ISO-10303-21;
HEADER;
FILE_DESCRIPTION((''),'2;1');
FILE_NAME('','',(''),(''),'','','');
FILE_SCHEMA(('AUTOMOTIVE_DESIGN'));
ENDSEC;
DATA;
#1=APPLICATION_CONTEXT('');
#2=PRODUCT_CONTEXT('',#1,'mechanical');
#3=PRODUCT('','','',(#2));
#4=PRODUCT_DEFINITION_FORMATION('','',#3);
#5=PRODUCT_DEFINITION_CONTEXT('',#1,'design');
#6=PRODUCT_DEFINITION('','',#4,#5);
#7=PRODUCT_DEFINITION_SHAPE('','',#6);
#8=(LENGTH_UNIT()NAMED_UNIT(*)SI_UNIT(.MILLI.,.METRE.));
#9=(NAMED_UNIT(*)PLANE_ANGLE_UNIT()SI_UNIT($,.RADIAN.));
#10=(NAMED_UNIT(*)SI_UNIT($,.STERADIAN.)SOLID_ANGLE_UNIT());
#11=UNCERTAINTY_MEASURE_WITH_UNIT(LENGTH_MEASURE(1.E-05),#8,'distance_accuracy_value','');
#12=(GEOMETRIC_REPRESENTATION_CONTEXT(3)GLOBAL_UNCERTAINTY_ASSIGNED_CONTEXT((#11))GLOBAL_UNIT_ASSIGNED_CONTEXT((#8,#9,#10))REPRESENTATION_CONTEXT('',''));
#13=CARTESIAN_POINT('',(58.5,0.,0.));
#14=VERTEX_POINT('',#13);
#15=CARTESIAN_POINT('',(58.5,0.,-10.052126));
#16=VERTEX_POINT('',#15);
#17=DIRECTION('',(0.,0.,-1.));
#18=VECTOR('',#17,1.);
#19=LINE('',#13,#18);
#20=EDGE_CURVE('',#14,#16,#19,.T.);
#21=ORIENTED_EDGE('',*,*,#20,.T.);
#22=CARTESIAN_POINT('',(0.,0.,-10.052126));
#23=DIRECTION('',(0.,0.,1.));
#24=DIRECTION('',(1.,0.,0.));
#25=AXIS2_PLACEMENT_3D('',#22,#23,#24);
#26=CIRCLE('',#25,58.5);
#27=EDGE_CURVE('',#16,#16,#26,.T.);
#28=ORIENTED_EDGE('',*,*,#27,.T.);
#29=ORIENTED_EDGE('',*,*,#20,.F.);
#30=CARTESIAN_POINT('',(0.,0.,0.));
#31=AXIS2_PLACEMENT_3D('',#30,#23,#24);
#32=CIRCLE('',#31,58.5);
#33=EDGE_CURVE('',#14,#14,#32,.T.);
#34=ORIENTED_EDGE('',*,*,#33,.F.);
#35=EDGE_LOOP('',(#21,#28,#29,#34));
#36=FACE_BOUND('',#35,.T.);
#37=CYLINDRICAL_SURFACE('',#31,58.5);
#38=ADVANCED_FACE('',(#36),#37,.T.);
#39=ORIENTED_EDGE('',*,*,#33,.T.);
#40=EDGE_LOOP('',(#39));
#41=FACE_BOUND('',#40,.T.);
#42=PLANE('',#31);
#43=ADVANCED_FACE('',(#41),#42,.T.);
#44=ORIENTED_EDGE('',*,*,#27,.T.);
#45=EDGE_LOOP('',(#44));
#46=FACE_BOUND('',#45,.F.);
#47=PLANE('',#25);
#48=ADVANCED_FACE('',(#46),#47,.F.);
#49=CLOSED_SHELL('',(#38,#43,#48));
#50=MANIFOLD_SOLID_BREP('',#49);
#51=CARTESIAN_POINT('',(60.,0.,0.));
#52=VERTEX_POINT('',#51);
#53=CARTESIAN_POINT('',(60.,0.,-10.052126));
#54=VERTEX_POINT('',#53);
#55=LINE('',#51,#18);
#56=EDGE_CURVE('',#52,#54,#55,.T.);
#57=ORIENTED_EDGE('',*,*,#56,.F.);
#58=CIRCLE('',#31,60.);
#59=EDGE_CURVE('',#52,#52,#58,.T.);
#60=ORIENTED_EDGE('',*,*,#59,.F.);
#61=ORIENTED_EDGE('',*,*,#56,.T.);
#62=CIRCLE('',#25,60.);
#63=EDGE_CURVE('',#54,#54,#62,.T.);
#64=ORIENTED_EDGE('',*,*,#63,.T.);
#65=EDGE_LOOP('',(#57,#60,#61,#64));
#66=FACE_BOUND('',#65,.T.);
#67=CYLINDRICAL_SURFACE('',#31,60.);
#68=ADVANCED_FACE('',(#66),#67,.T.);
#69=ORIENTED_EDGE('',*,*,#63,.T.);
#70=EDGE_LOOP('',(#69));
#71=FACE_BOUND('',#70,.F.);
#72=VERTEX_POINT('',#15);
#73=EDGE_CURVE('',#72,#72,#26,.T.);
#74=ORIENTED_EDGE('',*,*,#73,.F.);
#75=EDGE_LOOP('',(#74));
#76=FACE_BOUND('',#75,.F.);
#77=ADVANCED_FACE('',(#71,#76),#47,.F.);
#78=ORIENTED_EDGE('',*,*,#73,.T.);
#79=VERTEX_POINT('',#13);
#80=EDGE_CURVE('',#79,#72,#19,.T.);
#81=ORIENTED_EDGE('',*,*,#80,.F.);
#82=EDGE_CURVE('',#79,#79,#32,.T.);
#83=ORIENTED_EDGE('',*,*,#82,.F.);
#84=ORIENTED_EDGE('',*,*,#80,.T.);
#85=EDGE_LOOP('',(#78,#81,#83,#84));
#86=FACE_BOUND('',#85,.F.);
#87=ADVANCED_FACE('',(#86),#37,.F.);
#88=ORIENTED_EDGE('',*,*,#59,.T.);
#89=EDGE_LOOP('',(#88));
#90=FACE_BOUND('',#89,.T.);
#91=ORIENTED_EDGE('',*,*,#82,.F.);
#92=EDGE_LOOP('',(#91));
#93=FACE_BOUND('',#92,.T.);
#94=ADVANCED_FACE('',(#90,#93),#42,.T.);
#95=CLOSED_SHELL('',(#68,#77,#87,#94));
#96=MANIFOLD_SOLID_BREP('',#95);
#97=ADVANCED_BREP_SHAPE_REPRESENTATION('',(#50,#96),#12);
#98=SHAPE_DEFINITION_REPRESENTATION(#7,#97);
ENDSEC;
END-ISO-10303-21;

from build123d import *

# Parameters (mm, degrees)
F0_R     = 60
F0_R_2   = 58.5
F2_DEPTH = 10.052125901
F1_R     = 58.5


with BuildPart() as f2:
    # F0 (on Top) → F2 (new body)
    with BuildSketch(Plane.XY):
        Circle(F0_R)
        Circle(F0_R_2, mode=Mode.SUBTRACT)
    extrude(amount=-F2_DEPTH)


with BuildPart() as f2b:
    # F1 (on face) → F2, piece 2 (new body)
    with BuildSketch(Plane.XY):
        Circle(F1_R)
    extrude(amount=-F2_DEPTH)


solid = Compound([f2.part, f2b.part])
